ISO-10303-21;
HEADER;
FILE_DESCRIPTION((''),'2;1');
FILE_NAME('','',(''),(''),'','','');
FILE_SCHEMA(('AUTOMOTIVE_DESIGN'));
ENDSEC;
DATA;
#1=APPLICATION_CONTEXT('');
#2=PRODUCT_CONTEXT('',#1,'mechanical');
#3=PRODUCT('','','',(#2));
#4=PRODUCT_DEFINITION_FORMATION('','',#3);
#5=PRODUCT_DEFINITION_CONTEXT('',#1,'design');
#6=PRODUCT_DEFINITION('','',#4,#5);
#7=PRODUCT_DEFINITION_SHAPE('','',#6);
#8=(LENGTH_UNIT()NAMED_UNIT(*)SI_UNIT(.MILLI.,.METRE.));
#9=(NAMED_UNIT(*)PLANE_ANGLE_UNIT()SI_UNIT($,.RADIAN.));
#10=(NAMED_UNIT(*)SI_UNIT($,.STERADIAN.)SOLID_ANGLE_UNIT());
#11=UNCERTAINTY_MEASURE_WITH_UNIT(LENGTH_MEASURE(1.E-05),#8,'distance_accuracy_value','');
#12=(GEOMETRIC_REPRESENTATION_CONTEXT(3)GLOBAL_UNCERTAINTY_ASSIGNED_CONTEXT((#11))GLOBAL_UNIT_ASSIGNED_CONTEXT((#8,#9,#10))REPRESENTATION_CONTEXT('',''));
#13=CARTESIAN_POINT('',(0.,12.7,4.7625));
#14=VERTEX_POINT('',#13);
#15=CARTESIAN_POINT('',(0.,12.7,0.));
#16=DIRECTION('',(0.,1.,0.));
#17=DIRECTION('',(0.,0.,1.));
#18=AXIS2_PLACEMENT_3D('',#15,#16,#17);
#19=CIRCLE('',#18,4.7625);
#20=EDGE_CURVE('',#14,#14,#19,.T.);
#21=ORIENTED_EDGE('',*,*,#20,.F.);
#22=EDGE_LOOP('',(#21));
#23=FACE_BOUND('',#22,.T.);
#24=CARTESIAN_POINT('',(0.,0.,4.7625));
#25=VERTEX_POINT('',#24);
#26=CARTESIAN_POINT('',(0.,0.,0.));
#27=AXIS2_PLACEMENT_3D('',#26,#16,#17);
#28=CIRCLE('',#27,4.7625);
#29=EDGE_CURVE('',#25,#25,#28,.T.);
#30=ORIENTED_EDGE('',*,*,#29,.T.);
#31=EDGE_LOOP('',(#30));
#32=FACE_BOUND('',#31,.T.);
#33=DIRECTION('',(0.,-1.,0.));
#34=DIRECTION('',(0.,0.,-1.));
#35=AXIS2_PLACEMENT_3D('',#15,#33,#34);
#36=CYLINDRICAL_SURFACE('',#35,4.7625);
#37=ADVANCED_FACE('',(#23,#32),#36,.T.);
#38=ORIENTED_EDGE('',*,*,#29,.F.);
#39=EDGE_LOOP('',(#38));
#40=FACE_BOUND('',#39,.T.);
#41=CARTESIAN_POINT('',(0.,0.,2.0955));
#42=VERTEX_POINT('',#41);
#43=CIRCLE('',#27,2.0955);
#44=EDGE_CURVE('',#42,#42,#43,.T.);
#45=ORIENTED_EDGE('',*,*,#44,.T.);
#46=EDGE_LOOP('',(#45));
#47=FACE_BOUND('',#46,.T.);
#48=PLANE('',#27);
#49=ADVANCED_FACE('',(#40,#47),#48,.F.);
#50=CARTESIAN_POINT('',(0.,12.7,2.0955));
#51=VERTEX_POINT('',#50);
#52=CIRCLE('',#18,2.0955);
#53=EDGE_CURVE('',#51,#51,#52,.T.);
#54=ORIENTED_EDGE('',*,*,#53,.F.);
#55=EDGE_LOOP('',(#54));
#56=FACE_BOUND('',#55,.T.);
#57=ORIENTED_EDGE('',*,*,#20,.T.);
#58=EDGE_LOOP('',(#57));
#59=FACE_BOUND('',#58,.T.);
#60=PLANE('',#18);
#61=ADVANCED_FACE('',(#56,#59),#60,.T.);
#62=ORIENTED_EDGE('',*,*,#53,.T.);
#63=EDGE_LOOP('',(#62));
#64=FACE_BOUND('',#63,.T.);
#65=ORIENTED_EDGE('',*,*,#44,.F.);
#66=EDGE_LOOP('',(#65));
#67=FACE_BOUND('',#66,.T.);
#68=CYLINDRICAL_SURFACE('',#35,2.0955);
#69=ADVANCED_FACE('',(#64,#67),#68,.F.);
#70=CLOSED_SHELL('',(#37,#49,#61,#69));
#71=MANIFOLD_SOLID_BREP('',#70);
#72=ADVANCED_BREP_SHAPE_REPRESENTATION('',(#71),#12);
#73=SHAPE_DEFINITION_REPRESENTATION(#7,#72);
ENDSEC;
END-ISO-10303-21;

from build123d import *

# Parameters (mm, degrees)
SKETCH1_R           = 4.7625
SKETCH1_R_2         = 2.0955
BOSS_EXTRUDE1_DEPTH = 12.7


with BuildPart() as part:
    # Sketch1 → Boss-Extrude1 (new body)
    with BuildSketch(Plane(origin=(0, 0, 0), x_dir=(1, 0, 0), z_dir=(0, 1, 0))):
        with Locations(Location((0, 0, 0), (0, 0, 270))):
            Circle(SKETCH1_R)
        with Locations(Location((0, 0, 0), (0, 0, 270))):
            Circle(SKETCH1_R_2, mode=Mode.SUBTRACT)
    extrude(amount=BOSS_EXTRUDE1_DEPTH)


solid = part.part
